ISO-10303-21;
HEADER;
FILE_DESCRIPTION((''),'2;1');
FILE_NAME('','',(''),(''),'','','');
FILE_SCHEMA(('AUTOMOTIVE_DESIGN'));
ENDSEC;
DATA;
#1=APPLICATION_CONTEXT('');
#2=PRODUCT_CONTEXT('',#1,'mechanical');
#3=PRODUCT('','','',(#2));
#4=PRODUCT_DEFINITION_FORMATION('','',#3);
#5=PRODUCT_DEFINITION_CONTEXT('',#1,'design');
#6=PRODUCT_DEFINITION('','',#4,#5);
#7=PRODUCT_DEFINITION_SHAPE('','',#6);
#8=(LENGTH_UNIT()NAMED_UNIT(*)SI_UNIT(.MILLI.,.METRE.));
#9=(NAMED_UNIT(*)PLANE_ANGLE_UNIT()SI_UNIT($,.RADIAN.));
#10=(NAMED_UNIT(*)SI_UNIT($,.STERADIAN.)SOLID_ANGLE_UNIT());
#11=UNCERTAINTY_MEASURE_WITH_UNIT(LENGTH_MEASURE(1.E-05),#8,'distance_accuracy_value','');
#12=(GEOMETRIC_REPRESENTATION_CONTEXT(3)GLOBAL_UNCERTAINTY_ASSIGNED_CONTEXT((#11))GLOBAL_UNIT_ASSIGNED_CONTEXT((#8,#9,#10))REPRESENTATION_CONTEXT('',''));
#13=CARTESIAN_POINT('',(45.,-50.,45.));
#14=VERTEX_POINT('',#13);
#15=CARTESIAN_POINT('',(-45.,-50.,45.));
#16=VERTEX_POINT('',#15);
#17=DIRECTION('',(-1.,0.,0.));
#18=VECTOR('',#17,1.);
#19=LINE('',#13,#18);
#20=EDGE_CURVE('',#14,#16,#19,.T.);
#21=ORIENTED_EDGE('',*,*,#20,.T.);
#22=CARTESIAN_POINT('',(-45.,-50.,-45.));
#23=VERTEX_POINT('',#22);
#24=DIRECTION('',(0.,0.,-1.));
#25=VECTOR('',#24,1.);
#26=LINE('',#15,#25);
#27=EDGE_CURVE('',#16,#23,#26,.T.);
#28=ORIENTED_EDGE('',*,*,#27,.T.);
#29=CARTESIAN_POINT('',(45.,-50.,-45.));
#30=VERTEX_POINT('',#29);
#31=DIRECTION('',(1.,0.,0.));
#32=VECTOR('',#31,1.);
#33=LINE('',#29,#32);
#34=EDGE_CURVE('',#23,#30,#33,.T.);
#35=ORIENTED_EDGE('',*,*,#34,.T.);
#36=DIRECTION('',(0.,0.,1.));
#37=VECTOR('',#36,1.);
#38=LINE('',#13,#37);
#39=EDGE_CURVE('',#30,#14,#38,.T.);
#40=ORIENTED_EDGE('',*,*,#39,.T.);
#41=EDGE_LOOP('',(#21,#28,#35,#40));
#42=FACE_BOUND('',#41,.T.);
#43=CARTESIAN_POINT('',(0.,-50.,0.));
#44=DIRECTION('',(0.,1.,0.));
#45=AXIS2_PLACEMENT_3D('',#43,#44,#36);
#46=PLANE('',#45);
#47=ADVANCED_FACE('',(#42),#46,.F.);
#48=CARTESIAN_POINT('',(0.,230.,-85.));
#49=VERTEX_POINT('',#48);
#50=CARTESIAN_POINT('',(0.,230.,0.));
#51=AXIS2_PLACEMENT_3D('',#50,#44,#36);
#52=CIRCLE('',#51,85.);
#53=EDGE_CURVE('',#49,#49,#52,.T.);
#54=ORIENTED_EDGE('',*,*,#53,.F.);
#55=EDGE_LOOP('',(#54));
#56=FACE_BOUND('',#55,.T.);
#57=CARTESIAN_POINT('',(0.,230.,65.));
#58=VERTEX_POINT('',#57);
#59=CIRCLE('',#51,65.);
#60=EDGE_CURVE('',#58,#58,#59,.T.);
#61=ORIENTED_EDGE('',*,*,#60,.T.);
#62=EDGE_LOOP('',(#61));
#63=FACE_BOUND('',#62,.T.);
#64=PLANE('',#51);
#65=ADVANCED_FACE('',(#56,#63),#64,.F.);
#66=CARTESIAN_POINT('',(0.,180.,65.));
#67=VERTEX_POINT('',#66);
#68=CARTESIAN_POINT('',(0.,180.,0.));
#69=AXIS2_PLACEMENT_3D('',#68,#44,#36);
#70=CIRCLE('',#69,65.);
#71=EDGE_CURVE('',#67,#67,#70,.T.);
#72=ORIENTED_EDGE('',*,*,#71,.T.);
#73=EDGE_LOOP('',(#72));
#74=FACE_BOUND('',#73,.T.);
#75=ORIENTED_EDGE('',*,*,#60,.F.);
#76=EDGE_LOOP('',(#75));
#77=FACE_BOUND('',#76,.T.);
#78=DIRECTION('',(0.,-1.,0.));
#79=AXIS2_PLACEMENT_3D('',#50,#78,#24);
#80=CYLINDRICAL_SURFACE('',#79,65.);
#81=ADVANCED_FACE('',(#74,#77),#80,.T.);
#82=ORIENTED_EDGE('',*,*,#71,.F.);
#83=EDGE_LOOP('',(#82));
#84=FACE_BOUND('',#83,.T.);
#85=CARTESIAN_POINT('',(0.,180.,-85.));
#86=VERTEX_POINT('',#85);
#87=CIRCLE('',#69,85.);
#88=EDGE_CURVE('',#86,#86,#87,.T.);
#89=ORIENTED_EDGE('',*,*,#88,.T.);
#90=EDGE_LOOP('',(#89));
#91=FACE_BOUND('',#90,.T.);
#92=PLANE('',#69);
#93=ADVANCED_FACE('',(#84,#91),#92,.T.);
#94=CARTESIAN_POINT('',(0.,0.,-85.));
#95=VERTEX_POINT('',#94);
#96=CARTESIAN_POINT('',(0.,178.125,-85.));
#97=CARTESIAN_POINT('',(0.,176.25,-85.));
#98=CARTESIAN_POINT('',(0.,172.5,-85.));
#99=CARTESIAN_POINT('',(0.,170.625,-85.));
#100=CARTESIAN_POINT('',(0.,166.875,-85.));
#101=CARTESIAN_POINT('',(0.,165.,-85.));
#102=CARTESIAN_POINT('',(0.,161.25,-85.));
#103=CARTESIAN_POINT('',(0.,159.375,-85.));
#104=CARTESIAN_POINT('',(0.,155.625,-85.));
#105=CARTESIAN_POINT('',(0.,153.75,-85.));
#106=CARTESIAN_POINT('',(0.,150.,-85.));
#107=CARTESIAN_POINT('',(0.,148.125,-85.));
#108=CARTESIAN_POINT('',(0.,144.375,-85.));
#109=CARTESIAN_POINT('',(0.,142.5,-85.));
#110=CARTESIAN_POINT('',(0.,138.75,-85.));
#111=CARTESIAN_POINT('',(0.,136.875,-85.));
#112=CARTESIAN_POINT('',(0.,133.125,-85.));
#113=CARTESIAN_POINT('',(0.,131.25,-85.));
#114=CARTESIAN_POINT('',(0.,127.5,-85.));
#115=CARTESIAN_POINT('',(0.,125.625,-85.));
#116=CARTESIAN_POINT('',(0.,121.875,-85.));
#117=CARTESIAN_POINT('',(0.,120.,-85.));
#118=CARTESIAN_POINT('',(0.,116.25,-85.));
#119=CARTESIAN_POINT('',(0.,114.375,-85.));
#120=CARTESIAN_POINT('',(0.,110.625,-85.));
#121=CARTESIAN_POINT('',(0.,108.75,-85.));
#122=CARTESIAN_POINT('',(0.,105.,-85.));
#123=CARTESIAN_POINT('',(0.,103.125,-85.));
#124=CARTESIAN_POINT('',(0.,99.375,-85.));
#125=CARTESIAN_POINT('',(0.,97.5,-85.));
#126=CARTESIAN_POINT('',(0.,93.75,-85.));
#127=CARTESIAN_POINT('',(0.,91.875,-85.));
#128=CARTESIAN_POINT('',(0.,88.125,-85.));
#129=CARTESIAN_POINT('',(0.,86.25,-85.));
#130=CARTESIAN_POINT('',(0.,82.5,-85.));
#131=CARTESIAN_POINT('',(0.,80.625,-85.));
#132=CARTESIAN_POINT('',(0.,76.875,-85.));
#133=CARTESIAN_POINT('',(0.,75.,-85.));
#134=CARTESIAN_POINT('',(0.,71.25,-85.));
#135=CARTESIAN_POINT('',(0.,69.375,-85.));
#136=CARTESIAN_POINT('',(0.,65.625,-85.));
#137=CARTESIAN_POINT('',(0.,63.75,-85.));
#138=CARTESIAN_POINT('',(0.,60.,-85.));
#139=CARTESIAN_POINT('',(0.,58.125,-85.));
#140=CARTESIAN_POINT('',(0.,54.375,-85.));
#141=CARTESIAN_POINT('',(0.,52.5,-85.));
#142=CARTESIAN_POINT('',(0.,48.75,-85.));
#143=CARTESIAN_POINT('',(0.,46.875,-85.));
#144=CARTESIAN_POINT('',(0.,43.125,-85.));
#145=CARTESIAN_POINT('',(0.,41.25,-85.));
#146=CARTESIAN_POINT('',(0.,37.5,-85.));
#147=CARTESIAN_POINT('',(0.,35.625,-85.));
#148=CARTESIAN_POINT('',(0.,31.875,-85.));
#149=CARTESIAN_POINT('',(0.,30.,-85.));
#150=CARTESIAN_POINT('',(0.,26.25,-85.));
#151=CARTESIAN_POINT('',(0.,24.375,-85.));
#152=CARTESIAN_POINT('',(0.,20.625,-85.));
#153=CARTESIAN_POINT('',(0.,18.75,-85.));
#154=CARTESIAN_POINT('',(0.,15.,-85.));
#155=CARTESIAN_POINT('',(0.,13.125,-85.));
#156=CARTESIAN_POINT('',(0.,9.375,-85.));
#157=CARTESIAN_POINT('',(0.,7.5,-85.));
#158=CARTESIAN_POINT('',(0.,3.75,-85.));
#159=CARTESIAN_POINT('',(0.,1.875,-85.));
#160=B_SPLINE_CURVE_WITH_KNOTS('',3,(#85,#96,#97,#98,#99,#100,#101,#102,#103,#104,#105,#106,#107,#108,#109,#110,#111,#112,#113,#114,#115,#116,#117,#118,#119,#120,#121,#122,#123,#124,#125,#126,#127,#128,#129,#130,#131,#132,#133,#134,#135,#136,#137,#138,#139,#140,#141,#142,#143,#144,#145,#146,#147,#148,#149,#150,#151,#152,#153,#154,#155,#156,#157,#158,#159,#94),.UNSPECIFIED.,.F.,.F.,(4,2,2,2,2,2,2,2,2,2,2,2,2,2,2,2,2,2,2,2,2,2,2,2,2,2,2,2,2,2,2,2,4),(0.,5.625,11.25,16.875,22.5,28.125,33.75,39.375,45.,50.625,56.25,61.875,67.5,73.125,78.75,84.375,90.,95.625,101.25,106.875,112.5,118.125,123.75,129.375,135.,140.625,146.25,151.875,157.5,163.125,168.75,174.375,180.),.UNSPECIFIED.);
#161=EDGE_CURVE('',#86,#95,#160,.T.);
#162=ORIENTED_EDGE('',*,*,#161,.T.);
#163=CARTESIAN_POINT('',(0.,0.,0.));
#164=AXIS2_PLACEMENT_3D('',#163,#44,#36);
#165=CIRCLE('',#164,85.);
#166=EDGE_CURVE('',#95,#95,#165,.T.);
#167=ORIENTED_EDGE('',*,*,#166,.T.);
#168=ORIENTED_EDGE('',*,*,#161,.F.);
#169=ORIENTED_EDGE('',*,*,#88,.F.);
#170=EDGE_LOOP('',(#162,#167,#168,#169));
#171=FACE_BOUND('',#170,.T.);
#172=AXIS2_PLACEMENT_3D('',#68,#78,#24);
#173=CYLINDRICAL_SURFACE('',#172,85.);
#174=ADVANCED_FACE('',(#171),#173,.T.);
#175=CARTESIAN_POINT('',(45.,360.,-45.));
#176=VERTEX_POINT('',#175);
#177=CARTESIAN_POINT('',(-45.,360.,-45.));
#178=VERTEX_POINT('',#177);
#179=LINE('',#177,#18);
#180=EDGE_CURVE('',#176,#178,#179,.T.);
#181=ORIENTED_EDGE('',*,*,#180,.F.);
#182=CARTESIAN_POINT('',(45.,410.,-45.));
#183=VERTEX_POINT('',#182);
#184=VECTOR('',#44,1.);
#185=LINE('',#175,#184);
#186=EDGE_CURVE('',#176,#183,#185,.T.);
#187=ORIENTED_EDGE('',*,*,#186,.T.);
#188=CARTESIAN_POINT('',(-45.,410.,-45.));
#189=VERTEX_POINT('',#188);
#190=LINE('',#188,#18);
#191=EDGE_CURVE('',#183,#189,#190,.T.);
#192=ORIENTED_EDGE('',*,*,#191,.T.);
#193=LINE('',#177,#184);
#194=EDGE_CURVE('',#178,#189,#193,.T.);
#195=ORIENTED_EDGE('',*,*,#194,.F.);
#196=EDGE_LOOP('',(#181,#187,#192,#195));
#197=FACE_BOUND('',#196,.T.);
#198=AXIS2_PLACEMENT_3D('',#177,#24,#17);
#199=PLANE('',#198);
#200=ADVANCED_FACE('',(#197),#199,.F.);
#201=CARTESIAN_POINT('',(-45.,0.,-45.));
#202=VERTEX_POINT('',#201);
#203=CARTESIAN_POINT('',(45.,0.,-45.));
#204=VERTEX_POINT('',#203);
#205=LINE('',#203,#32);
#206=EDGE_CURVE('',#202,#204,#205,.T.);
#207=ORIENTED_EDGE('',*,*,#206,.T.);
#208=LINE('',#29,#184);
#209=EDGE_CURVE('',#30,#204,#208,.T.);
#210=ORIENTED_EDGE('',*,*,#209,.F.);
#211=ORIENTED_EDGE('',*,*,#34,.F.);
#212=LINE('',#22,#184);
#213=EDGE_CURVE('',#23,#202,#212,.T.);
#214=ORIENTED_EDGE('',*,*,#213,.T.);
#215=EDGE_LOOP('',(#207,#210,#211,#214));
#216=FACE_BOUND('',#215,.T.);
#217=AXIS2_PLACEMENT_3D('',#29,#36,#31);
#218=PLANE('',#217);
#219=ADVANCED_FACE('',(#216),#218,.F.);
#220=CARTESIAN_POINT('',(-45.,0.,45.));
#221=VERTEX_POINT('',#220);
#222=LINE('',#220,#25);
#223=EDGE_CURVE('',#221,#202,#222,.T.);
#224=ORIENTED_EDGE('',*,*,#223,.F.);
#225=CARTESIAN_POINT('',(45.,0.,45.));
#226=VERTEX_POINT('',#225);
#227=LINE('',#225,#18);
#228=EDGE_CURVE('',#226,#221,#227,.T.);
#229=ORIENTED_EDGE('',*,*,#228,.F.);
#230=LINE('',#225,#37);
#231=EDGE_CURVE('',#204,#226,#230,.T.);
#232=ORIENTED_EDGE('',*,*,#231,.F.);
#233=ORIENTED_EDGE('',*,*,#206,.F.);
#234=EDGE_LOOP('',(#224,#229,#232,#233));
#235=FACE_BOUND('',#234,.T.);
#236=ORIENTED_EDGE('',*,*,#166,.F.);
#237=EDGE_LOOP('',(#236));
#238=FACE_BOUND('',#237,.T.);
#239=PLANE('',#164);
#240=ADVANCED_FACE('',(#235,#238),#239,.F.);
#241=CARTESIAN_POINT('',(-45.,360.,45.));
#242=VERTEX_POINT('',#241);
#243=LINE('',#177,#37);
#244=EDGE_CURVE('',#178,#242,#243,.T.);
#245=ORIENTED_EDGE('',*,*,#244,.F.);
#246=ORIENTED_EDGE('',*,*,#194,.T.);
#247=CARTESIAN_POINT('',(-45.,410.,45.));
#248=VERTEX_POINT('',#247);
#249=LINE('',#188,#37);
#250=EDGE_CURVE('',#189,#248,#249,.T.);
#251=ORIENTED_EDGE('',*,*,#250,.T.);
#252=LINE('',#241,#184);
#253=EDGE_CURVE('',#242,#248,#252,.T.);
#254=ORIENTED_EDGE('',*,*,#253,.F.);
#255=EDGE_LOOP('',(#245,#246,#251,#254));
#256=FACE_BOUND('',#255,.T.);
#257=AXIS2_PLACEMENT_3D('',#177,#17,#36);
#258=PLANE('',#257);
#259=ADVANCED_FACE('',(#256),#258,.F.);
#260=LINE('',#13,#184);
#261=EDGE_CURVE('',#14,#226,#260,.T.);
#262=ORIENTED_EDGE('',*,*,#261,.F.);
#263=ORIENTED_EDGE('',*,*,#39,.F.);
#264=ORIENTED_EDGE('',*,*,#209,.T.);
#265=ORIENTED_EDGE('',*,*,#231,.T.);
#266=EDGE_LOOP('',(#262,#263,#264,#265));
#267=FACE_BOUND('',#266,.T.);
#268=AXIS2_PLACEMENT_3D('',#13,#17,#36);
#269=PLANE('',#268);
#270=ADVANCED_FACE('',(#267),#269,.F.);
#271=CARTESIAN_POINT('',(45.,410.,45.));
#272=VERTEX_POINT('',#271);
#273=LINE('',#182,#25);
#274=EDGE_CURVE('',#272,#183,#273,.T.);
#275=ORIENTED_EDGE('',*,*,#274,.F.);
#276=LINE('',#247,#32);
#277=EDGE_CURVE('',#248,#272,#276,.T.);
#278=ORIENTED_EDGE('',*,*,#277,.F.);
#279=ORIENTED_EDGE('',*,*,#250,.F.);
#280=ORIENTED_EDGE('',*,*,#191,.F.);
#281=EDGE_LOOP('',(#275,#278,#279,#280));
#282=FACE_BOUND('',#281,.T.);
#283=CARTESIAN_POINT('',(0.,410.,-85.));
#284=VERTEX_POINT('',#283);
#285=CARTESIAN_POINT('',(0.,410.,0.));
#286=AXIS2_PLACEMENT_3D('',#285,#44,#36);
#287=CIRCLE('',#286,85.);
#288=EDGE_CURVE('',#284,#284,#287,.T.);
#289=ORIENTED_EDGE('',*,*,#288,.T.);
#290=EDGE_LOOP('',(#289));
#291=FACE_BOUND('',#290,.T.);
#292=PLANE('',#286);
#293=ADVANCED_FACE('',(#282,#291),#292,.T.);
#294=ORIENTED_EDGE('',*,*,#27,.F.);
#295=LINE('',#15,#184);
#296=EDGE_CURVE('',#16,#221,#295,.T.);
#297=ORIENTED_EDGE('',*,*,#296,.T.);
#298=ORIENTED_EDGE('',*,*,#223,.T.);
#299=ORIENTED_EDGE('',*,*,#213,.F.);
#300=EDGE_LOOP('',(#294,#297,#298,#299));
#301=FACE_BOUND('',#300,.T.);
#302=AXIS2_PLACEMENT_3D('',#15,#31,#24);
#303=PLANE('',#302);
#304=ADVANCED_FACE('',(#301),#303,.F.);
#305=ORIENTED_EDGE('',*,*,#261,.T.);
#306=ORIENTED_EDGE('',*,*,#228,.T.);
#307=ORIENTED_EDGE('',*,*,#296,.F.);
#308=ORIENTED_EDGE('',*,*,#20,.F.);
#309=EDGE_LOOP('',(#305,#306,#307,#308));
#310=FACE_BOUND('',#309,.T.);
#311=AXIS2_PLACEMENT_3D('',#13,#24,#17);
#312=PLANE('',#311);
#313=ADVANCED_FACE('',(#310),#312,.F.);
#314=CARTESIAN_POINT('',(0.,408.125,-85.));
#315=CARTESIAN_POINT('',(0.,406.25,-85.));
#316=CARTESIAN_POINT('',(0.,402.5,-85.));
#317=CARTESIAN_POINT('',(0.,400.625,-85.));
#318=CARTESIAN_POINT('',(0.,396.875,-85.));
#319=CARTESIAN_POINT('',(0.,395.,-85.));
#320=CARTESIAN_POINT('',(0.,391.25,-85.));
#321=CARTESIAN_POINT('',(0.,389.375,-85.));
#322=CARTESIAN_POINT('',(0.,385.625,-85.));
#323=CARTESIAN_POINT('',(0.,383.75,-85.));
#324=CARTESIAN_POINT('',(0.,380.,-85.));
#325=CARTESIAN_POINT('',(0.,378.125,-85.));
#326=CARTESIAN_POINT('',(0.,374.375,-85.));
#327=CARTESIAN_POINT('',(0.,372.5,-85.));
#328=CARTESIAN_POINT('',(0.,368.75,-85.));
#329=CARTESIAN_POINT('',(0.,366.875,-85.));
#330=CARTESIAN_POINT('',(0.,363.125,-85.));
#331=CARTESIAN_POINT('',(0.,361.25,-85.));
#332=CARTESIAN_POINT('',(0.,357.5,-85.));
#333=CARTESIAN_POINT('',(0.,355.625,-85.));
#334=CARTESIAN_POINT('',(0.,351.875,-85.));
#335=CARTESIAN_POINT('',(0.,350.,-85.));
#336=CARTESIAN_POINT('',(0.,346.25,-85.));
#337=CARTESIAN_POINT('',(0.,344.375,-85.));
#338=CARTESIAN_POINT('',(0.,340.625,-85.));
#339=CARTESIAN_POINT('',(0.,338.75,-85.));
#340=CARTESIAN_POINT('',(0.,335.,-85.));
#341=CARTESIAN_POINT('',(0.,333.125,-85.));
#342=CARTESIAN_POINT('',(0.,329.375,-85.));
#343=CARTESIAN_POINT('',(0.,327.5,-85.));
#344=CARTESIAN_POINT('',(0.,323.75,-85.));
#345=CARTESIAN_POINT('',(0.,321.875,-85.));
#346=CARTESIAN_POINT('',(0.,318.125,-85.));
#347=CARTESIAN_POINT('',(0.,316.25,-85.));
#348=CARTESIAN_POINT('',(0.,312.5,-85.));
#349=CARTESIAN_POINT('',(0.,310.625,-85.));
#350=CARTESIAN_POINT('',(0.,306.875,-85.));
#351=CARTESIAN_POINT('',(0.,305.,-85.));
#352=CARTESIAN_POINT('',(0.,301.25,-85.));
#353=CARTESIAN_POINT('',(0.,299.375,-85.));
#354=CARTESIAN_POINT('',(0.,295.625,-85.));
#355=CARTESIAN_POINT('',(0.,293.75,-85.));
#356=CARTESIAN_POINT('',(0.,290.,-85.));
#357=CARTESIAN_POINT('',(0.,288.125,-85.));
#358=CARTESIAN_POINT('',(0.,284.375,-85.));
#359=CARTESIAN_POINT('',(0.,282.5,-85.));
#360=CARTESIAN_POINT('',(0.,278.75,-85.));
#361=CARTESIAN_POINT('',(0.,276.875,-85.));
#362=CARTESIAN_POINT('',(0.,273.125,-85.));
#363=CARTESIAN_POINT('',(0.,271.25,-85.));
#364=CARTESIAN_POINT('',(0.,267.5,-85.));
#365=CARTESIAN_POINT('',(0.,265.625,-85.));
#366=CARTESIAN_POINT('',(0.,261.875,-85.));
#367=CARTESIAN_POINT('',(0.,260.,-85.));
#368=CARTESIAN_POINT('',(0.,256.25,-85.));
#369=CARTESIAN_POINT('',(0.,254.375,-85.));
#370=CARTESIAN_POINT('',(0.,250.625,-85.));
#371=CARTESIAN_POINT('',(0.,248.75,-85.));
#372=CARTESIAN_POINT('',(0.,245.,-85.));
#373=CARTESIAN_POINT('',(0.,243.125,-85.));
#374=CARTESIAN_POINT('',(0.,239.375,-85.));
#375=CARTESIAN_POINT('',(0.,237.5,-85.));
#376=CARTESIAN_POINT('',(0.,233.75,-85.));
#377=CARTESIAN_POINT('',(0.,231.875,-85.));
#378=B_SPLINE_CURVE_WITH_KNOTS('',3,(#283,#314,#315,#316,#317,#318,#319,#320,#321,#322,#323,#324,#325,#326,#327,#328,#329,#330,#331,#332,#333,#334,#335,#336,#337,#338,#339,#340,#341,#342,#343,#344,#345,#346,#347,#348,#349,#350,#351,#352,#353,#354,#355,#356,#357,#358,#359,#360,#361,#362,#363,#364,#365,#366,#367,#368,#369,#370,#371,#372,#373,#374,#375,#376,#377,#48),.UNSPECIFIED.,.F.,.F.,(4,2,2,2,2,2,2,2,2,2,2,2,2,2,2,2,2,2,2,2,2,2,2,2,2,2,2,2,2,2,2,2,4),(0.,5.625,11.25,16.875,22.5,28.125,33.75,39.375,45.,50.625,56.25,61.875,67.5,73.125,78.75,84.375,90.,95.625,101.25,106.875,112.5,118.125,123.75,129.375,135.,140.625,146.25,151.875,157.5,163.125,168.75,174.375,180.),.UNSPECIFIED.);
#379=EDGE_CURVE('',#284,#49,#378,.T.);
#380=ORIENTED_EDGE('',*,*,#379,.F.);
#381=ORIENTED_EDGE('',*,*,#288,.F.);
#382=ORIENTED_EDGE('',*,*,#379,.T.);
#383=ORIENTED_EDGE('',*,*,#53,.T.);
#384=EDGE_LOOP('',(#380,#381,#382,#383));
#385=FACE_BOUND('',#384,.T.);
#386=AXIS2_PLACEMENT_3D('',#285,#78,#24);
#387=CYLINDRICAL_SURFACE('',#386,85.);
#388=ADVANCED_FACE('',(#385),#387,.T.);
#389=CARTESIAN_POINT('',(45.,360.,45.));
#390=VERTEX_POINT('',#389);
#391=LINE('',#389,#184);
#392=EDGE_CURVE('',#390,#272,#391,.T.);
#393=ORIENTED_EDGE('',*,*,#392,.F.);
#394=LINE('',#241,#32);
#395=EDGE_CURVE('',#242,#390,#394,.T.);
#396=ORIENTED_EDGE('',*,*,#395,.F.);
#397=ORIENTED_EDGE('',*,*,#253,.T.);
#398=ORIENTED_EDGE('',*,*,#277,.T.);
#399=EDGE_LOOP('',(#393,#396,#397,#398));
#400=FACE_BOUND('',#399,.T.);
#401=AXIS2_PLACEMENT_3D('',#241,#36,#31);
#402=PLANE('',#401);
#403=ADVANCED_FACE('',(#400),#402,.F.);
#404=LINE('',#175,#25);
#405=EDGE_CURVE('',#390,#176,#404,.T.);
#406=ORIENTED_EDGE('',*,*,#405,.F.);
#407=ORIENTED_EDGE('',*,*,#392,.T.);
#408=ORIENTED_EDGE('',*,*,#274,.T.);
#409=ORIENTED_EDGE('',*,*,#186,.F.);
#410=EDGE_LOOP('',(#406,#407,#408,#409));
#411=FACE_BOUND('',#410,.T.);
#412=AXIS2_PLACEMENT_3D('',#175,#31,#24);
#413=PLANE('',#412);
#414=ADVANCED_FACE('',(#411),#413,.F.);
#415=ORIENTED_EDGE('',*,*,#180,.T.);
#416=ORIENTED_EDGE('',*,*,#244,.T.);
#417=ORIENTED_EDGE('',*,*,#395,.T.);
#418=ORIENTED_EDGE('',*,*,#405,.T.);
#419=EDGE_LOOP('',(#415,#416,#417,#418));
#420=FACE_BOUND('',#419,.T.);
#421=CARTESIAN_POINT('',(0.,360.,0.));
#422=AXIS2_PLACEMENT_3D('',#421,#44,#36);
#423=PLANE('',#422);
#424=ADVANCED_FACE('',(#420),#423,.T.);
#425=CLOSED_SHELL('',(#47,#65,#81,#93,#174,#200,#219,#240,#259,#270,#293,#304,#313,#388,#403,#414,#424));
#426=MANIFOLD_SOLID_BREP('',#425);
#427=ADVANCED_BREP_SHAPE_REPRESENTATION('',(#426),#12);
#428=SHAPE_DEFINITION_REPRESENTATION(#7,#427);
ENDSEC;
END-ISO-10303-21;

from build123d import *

# Parameters (mm, degrees)
SKETCH1_R           = 85
BOSS_EXTRUDE2_DEPTH = 180
SKETCH2_W           = 90
SKETCH2_H           = 90
BOSS_EXTRUDE3_DEPTH = 50
SKETCH4_R           = 65
BOSS_EXTRUDE4_DEPTH = 50
SKETCH5_R           = 85
BOSS_EXTRUDE5_DEPTH = 180
SKETCH6_W           = 90
SKETCH6_H           = 90
CUT_EXTRUDE2_DEPTH  = 50


with BuildPart() as part:
    # Sketch1 → Boss-Extrude2 (new body)
    with BuildSketch(Plane(origin=(0, 0, 0), x_dir=(1, 0, 0), z_dir=(0, 1, 0))):
        with Locations(Location((0, 0, 0), (0, 0, 90))):
            Circle(SKETCH1_R)
    extrude(amount=BOSS_EXTRUDE2_DEPTH)

    # Sketch2 → Boss-Extrude3 (add)
    with BuildSketch(Plane.XZ):
        Rectangle(SKETCH2_W, SKETCH2_H)
    extrude(amount=BOSS_EXTRUDE3_DEPTH)

    # Sketch4 → Boss-Extrude4 (add)
    with BuildSketch(Plane(origin=(0, 180, 0), x_dir=(1, 0, 0), z_dir=(0, 1, 0))):
        with Locations(Location((0, 0, 0), (0, 0, 270))):
            Circle(SKETCH4_R)
    extrude(amount=BOSS_EXTRUDE4_DEPTH)

    # Sketch5 → Boss-Extrude5 (add)
    with BuildSketch(Plane(origin=(0, 230, 0), x_dir=(1, 0, 0), z_dir=(0, 1, 0))):
        with Locations(Location((0, 0, 0), (0, 0, 90))):
            Circle(SKETCH5_R)
    extrude(amount=BOSS_EXTRUDE5_DEPTH)

    # Sketch6 → Cut-Extrude2 (cut)
    with BuildSketch(Plane(origin=(0, 410, 0), x_dir=(1, 0, 0), z_dir=(0, 1, 0))):
        Rectangle(SKETCH6_W, SKETCH6_H)
    extrude(amount=-CUT_EXTRUDE2_DEPTH, mode=Mode.SUBTRACT)


solid = part.part
